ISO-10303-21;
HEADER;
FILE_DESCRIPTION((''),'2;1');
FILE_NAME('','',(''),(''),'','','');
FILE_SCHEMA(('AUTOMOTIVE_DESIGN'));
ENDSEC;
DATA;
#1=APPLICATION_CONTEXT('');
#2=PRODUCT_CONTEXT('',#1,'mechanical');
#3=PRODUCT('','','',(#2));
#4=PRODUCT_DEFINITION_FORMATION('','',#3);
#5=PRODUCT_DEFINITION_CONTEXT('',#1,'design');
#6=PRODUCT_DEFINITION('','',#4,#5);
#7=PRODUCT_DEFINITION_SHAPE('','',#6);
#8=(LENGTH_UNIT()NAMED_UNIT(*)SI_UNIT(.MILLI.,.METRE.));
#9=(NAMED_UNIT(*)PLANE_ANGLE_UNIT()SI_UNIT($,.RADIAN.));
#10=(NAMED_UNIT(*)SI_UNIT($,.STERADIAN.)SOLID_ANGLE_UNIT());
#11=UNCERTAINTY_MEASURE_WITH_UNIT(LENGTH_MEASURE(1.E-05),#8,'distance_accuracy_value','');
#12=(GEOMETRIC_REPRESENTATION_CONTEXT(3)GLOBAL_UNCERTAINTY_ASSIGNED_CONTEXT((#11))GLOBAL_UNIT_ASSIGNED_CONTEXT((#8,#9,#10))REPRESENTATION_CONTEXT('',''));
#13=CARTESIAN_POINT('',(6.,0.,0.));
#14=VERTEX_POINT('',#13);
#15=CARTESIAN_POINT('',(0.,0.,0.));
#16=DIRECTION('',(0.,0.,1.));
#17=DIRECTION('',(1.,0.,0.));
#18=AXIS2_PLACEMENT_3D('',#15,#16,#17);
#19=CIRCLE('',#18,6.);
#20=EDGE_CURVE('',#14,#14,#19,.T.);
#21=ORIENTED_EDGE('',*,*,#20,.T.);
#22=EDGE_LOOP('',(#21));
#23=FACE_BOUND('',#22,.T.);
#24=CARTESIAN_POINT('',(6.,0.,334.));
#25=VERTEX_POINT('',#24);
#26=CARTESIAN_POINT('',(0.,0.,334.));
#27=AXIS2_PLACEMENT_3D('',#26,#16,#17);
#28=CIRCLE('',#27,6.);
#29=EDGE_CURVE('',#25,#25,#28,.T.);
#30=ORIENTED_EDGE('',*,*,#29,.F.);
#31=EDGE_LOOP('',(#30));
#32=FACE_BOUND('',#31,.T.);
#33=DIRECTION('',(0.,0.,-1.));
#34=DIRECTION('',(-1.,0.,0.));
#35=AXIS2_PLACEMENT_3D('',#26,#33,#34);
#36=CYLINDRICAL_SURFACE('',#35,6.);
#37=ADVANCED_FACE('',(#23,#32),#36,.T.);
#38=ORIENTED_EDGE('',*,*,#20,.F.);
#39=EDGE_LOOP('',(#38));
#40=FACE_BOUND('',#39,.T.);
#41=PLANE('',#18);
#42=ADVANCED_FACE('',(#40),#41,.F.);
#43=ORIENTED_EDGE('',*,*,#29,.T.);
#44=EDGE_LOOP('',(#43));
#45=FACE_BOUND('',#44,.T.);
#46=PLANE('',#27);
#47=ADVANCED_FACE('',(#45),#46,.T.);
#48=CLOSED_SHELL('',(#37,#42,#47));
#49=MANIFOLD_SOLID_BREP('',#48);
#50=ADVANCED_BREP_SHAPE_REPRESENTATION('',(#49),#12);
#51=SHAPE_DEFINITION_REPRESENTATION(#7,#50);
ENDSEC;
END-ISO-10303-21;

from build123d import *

# Parameters (mm, degrees)
ESBO_O1_R                = 6
RESSALTO_EXTRUS_O1_DEPTH = 334


with BuildPart() as part:
    # Esboço1 → Ressalto-extrusão1 (new body)
    with BuildSketch(Plane.XY):
        Circle(ESBO_O1_R)
    extrude(amount=RESSALTO_EXTRUS_O1_DEPTH)


solid = part.part
